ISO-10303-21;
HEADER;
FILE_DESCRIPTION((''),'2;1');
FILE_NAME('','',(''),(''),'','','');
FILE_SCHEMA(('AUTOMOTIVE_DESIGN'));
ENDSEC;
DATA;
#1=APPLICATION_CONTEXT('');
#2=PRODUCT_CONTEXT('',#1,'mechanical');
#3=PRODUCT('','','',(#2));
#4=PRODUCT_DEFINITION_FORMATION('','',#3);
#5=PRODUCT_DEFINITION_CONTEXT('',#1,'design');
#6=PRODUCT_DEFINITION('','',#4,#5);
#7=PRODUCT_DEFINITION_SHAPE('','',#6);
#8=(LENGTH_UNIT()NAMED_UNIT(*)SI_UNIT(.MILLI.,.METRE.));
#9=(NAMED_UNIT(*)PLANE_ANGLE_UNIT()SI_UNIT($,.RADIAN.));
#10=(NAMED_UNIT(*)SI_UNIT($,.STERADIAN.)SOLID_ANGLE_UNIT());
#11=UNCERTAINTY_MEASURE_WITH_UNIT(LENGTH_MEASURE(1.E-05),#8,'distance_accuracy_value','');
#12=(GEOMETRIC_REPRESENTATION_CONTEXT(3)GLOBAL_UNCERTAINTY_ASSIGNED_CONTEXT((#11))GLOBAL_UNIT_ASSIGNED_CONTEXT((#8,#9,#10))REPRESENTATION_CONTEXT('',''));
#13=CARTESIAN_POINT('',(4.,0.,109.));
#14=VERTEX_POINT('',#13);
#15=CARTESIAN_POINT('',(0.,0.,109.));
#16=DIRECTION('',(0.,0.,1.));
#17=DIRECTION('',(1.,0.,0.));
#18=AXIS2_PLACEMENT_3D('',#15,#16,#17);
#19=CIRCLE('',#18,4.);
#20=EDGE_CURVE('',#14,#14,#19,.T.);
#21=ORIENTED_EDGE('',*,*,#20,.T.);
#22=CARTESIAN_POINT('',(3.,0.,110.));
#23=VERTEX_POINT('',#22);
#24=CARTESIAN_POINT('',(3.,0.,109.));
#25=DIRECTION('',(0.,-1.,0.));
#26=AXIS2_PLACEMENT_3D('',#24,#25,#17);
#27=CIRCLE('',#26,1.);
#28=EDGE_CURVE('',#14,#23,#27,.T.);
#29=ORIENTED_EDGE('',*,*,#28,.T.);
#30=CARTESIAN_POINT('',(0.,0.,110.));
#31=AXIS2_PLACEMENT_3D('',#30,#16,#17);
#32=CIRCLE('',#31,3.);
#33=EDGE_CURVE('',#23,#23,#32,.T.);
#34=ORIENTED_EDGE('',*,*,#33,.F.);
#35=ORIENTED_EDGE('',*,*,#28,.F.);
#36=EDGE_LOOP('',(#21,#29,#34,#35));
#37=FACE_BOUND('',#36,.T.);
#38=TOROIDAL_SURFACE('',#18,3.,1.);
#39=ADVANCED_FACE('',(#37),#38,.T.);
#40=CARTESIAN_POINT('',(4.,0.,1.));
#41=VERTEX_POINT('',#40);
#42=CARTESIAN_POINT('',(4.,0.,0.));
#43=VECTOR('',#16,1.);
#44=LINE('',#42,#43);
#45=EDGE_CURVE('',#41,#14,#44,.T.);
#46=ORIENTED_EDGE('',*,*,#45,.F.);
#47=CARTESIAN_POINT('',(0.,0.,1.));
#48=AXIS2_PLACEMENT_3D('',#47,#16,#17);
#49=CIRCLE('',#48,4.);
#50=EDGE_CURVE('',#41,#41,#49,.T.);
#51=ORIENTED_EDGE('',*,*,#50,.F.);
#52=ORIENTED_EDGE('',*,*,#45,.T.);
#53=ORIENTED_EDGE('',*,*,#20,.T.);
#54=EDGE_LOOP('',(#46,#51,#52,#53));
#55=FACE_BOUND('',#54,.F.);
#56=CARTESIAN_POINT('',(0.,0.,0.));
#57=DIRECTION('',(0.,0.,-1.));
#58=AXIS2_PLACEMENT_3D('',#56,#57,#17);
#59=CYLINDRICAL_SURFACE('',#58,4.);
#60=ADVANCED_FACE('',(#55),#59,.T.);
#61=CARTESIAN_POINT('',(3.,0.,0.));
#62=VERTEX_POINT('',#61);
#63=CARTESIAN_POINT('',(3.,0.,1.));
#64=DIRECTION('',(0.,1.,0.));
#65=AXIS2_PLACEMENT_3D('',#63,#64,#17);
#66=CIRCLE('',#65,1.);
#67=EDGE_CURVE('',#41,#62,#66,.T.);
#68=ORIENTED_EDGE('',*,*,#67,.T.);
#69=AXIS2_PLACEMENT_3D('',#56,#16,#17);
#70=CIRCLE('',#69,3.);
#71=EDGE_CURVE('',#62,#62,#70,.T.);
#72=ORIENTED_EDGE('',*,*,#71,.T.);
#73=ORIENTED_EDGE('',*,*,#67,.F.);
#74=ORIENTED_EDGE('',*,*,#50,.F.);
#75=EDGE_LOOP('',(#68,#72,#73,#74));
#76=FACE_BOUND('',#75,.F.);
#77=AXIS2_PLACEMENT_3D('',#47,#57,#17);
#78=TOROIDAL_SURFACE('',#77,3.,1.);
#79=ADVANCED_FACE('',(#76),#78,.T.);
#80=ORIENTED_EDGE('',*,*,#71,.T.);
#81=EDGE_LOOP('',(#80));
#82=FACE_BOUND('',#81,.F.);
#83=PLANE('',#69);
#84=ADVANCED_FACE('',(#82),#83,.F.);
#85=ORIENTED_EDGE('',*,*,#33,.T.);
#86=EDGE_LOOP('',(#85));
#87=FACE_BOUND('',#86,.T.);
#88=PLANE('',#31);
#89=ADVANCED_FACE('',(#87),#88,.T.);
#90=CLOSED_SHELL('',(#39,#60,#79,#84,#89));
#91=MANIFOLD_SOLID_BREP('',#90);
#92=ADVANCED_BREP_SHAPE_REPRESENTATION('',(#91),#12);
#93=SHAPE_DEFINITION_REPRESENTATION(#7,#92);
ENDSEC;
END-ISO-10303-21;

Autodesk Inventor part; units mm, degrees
ref_plane "YZ Plane" through (0, 0, 0) normal (1, 0, 0) x (0, 1, 0)
ref_plane "XZ Plane" through (0, 0, 0) normal (0, 1, 0) x (-1, 0, 0)
ref_plane "XY Plane" through (0, 0, 0) normal (0, 0, 1) x (1, 0, 0)
sketch "Sketch1" plane through (0, 0, 0) normal (0, 0, 1) x (1, 0, 0)
  circle A0 centre (0, 0) radius 4
  dimension "d0" = 8
extrude "Extrusion1" add sketch "Sketch1" along normal blind 110
fillet "Fillet1" radius 1 2 edges at (-4, 0, 110) (-4, 0, 0)
properties part number "Steel Rod 8mm x 110mm" material "Stainless Steel"
